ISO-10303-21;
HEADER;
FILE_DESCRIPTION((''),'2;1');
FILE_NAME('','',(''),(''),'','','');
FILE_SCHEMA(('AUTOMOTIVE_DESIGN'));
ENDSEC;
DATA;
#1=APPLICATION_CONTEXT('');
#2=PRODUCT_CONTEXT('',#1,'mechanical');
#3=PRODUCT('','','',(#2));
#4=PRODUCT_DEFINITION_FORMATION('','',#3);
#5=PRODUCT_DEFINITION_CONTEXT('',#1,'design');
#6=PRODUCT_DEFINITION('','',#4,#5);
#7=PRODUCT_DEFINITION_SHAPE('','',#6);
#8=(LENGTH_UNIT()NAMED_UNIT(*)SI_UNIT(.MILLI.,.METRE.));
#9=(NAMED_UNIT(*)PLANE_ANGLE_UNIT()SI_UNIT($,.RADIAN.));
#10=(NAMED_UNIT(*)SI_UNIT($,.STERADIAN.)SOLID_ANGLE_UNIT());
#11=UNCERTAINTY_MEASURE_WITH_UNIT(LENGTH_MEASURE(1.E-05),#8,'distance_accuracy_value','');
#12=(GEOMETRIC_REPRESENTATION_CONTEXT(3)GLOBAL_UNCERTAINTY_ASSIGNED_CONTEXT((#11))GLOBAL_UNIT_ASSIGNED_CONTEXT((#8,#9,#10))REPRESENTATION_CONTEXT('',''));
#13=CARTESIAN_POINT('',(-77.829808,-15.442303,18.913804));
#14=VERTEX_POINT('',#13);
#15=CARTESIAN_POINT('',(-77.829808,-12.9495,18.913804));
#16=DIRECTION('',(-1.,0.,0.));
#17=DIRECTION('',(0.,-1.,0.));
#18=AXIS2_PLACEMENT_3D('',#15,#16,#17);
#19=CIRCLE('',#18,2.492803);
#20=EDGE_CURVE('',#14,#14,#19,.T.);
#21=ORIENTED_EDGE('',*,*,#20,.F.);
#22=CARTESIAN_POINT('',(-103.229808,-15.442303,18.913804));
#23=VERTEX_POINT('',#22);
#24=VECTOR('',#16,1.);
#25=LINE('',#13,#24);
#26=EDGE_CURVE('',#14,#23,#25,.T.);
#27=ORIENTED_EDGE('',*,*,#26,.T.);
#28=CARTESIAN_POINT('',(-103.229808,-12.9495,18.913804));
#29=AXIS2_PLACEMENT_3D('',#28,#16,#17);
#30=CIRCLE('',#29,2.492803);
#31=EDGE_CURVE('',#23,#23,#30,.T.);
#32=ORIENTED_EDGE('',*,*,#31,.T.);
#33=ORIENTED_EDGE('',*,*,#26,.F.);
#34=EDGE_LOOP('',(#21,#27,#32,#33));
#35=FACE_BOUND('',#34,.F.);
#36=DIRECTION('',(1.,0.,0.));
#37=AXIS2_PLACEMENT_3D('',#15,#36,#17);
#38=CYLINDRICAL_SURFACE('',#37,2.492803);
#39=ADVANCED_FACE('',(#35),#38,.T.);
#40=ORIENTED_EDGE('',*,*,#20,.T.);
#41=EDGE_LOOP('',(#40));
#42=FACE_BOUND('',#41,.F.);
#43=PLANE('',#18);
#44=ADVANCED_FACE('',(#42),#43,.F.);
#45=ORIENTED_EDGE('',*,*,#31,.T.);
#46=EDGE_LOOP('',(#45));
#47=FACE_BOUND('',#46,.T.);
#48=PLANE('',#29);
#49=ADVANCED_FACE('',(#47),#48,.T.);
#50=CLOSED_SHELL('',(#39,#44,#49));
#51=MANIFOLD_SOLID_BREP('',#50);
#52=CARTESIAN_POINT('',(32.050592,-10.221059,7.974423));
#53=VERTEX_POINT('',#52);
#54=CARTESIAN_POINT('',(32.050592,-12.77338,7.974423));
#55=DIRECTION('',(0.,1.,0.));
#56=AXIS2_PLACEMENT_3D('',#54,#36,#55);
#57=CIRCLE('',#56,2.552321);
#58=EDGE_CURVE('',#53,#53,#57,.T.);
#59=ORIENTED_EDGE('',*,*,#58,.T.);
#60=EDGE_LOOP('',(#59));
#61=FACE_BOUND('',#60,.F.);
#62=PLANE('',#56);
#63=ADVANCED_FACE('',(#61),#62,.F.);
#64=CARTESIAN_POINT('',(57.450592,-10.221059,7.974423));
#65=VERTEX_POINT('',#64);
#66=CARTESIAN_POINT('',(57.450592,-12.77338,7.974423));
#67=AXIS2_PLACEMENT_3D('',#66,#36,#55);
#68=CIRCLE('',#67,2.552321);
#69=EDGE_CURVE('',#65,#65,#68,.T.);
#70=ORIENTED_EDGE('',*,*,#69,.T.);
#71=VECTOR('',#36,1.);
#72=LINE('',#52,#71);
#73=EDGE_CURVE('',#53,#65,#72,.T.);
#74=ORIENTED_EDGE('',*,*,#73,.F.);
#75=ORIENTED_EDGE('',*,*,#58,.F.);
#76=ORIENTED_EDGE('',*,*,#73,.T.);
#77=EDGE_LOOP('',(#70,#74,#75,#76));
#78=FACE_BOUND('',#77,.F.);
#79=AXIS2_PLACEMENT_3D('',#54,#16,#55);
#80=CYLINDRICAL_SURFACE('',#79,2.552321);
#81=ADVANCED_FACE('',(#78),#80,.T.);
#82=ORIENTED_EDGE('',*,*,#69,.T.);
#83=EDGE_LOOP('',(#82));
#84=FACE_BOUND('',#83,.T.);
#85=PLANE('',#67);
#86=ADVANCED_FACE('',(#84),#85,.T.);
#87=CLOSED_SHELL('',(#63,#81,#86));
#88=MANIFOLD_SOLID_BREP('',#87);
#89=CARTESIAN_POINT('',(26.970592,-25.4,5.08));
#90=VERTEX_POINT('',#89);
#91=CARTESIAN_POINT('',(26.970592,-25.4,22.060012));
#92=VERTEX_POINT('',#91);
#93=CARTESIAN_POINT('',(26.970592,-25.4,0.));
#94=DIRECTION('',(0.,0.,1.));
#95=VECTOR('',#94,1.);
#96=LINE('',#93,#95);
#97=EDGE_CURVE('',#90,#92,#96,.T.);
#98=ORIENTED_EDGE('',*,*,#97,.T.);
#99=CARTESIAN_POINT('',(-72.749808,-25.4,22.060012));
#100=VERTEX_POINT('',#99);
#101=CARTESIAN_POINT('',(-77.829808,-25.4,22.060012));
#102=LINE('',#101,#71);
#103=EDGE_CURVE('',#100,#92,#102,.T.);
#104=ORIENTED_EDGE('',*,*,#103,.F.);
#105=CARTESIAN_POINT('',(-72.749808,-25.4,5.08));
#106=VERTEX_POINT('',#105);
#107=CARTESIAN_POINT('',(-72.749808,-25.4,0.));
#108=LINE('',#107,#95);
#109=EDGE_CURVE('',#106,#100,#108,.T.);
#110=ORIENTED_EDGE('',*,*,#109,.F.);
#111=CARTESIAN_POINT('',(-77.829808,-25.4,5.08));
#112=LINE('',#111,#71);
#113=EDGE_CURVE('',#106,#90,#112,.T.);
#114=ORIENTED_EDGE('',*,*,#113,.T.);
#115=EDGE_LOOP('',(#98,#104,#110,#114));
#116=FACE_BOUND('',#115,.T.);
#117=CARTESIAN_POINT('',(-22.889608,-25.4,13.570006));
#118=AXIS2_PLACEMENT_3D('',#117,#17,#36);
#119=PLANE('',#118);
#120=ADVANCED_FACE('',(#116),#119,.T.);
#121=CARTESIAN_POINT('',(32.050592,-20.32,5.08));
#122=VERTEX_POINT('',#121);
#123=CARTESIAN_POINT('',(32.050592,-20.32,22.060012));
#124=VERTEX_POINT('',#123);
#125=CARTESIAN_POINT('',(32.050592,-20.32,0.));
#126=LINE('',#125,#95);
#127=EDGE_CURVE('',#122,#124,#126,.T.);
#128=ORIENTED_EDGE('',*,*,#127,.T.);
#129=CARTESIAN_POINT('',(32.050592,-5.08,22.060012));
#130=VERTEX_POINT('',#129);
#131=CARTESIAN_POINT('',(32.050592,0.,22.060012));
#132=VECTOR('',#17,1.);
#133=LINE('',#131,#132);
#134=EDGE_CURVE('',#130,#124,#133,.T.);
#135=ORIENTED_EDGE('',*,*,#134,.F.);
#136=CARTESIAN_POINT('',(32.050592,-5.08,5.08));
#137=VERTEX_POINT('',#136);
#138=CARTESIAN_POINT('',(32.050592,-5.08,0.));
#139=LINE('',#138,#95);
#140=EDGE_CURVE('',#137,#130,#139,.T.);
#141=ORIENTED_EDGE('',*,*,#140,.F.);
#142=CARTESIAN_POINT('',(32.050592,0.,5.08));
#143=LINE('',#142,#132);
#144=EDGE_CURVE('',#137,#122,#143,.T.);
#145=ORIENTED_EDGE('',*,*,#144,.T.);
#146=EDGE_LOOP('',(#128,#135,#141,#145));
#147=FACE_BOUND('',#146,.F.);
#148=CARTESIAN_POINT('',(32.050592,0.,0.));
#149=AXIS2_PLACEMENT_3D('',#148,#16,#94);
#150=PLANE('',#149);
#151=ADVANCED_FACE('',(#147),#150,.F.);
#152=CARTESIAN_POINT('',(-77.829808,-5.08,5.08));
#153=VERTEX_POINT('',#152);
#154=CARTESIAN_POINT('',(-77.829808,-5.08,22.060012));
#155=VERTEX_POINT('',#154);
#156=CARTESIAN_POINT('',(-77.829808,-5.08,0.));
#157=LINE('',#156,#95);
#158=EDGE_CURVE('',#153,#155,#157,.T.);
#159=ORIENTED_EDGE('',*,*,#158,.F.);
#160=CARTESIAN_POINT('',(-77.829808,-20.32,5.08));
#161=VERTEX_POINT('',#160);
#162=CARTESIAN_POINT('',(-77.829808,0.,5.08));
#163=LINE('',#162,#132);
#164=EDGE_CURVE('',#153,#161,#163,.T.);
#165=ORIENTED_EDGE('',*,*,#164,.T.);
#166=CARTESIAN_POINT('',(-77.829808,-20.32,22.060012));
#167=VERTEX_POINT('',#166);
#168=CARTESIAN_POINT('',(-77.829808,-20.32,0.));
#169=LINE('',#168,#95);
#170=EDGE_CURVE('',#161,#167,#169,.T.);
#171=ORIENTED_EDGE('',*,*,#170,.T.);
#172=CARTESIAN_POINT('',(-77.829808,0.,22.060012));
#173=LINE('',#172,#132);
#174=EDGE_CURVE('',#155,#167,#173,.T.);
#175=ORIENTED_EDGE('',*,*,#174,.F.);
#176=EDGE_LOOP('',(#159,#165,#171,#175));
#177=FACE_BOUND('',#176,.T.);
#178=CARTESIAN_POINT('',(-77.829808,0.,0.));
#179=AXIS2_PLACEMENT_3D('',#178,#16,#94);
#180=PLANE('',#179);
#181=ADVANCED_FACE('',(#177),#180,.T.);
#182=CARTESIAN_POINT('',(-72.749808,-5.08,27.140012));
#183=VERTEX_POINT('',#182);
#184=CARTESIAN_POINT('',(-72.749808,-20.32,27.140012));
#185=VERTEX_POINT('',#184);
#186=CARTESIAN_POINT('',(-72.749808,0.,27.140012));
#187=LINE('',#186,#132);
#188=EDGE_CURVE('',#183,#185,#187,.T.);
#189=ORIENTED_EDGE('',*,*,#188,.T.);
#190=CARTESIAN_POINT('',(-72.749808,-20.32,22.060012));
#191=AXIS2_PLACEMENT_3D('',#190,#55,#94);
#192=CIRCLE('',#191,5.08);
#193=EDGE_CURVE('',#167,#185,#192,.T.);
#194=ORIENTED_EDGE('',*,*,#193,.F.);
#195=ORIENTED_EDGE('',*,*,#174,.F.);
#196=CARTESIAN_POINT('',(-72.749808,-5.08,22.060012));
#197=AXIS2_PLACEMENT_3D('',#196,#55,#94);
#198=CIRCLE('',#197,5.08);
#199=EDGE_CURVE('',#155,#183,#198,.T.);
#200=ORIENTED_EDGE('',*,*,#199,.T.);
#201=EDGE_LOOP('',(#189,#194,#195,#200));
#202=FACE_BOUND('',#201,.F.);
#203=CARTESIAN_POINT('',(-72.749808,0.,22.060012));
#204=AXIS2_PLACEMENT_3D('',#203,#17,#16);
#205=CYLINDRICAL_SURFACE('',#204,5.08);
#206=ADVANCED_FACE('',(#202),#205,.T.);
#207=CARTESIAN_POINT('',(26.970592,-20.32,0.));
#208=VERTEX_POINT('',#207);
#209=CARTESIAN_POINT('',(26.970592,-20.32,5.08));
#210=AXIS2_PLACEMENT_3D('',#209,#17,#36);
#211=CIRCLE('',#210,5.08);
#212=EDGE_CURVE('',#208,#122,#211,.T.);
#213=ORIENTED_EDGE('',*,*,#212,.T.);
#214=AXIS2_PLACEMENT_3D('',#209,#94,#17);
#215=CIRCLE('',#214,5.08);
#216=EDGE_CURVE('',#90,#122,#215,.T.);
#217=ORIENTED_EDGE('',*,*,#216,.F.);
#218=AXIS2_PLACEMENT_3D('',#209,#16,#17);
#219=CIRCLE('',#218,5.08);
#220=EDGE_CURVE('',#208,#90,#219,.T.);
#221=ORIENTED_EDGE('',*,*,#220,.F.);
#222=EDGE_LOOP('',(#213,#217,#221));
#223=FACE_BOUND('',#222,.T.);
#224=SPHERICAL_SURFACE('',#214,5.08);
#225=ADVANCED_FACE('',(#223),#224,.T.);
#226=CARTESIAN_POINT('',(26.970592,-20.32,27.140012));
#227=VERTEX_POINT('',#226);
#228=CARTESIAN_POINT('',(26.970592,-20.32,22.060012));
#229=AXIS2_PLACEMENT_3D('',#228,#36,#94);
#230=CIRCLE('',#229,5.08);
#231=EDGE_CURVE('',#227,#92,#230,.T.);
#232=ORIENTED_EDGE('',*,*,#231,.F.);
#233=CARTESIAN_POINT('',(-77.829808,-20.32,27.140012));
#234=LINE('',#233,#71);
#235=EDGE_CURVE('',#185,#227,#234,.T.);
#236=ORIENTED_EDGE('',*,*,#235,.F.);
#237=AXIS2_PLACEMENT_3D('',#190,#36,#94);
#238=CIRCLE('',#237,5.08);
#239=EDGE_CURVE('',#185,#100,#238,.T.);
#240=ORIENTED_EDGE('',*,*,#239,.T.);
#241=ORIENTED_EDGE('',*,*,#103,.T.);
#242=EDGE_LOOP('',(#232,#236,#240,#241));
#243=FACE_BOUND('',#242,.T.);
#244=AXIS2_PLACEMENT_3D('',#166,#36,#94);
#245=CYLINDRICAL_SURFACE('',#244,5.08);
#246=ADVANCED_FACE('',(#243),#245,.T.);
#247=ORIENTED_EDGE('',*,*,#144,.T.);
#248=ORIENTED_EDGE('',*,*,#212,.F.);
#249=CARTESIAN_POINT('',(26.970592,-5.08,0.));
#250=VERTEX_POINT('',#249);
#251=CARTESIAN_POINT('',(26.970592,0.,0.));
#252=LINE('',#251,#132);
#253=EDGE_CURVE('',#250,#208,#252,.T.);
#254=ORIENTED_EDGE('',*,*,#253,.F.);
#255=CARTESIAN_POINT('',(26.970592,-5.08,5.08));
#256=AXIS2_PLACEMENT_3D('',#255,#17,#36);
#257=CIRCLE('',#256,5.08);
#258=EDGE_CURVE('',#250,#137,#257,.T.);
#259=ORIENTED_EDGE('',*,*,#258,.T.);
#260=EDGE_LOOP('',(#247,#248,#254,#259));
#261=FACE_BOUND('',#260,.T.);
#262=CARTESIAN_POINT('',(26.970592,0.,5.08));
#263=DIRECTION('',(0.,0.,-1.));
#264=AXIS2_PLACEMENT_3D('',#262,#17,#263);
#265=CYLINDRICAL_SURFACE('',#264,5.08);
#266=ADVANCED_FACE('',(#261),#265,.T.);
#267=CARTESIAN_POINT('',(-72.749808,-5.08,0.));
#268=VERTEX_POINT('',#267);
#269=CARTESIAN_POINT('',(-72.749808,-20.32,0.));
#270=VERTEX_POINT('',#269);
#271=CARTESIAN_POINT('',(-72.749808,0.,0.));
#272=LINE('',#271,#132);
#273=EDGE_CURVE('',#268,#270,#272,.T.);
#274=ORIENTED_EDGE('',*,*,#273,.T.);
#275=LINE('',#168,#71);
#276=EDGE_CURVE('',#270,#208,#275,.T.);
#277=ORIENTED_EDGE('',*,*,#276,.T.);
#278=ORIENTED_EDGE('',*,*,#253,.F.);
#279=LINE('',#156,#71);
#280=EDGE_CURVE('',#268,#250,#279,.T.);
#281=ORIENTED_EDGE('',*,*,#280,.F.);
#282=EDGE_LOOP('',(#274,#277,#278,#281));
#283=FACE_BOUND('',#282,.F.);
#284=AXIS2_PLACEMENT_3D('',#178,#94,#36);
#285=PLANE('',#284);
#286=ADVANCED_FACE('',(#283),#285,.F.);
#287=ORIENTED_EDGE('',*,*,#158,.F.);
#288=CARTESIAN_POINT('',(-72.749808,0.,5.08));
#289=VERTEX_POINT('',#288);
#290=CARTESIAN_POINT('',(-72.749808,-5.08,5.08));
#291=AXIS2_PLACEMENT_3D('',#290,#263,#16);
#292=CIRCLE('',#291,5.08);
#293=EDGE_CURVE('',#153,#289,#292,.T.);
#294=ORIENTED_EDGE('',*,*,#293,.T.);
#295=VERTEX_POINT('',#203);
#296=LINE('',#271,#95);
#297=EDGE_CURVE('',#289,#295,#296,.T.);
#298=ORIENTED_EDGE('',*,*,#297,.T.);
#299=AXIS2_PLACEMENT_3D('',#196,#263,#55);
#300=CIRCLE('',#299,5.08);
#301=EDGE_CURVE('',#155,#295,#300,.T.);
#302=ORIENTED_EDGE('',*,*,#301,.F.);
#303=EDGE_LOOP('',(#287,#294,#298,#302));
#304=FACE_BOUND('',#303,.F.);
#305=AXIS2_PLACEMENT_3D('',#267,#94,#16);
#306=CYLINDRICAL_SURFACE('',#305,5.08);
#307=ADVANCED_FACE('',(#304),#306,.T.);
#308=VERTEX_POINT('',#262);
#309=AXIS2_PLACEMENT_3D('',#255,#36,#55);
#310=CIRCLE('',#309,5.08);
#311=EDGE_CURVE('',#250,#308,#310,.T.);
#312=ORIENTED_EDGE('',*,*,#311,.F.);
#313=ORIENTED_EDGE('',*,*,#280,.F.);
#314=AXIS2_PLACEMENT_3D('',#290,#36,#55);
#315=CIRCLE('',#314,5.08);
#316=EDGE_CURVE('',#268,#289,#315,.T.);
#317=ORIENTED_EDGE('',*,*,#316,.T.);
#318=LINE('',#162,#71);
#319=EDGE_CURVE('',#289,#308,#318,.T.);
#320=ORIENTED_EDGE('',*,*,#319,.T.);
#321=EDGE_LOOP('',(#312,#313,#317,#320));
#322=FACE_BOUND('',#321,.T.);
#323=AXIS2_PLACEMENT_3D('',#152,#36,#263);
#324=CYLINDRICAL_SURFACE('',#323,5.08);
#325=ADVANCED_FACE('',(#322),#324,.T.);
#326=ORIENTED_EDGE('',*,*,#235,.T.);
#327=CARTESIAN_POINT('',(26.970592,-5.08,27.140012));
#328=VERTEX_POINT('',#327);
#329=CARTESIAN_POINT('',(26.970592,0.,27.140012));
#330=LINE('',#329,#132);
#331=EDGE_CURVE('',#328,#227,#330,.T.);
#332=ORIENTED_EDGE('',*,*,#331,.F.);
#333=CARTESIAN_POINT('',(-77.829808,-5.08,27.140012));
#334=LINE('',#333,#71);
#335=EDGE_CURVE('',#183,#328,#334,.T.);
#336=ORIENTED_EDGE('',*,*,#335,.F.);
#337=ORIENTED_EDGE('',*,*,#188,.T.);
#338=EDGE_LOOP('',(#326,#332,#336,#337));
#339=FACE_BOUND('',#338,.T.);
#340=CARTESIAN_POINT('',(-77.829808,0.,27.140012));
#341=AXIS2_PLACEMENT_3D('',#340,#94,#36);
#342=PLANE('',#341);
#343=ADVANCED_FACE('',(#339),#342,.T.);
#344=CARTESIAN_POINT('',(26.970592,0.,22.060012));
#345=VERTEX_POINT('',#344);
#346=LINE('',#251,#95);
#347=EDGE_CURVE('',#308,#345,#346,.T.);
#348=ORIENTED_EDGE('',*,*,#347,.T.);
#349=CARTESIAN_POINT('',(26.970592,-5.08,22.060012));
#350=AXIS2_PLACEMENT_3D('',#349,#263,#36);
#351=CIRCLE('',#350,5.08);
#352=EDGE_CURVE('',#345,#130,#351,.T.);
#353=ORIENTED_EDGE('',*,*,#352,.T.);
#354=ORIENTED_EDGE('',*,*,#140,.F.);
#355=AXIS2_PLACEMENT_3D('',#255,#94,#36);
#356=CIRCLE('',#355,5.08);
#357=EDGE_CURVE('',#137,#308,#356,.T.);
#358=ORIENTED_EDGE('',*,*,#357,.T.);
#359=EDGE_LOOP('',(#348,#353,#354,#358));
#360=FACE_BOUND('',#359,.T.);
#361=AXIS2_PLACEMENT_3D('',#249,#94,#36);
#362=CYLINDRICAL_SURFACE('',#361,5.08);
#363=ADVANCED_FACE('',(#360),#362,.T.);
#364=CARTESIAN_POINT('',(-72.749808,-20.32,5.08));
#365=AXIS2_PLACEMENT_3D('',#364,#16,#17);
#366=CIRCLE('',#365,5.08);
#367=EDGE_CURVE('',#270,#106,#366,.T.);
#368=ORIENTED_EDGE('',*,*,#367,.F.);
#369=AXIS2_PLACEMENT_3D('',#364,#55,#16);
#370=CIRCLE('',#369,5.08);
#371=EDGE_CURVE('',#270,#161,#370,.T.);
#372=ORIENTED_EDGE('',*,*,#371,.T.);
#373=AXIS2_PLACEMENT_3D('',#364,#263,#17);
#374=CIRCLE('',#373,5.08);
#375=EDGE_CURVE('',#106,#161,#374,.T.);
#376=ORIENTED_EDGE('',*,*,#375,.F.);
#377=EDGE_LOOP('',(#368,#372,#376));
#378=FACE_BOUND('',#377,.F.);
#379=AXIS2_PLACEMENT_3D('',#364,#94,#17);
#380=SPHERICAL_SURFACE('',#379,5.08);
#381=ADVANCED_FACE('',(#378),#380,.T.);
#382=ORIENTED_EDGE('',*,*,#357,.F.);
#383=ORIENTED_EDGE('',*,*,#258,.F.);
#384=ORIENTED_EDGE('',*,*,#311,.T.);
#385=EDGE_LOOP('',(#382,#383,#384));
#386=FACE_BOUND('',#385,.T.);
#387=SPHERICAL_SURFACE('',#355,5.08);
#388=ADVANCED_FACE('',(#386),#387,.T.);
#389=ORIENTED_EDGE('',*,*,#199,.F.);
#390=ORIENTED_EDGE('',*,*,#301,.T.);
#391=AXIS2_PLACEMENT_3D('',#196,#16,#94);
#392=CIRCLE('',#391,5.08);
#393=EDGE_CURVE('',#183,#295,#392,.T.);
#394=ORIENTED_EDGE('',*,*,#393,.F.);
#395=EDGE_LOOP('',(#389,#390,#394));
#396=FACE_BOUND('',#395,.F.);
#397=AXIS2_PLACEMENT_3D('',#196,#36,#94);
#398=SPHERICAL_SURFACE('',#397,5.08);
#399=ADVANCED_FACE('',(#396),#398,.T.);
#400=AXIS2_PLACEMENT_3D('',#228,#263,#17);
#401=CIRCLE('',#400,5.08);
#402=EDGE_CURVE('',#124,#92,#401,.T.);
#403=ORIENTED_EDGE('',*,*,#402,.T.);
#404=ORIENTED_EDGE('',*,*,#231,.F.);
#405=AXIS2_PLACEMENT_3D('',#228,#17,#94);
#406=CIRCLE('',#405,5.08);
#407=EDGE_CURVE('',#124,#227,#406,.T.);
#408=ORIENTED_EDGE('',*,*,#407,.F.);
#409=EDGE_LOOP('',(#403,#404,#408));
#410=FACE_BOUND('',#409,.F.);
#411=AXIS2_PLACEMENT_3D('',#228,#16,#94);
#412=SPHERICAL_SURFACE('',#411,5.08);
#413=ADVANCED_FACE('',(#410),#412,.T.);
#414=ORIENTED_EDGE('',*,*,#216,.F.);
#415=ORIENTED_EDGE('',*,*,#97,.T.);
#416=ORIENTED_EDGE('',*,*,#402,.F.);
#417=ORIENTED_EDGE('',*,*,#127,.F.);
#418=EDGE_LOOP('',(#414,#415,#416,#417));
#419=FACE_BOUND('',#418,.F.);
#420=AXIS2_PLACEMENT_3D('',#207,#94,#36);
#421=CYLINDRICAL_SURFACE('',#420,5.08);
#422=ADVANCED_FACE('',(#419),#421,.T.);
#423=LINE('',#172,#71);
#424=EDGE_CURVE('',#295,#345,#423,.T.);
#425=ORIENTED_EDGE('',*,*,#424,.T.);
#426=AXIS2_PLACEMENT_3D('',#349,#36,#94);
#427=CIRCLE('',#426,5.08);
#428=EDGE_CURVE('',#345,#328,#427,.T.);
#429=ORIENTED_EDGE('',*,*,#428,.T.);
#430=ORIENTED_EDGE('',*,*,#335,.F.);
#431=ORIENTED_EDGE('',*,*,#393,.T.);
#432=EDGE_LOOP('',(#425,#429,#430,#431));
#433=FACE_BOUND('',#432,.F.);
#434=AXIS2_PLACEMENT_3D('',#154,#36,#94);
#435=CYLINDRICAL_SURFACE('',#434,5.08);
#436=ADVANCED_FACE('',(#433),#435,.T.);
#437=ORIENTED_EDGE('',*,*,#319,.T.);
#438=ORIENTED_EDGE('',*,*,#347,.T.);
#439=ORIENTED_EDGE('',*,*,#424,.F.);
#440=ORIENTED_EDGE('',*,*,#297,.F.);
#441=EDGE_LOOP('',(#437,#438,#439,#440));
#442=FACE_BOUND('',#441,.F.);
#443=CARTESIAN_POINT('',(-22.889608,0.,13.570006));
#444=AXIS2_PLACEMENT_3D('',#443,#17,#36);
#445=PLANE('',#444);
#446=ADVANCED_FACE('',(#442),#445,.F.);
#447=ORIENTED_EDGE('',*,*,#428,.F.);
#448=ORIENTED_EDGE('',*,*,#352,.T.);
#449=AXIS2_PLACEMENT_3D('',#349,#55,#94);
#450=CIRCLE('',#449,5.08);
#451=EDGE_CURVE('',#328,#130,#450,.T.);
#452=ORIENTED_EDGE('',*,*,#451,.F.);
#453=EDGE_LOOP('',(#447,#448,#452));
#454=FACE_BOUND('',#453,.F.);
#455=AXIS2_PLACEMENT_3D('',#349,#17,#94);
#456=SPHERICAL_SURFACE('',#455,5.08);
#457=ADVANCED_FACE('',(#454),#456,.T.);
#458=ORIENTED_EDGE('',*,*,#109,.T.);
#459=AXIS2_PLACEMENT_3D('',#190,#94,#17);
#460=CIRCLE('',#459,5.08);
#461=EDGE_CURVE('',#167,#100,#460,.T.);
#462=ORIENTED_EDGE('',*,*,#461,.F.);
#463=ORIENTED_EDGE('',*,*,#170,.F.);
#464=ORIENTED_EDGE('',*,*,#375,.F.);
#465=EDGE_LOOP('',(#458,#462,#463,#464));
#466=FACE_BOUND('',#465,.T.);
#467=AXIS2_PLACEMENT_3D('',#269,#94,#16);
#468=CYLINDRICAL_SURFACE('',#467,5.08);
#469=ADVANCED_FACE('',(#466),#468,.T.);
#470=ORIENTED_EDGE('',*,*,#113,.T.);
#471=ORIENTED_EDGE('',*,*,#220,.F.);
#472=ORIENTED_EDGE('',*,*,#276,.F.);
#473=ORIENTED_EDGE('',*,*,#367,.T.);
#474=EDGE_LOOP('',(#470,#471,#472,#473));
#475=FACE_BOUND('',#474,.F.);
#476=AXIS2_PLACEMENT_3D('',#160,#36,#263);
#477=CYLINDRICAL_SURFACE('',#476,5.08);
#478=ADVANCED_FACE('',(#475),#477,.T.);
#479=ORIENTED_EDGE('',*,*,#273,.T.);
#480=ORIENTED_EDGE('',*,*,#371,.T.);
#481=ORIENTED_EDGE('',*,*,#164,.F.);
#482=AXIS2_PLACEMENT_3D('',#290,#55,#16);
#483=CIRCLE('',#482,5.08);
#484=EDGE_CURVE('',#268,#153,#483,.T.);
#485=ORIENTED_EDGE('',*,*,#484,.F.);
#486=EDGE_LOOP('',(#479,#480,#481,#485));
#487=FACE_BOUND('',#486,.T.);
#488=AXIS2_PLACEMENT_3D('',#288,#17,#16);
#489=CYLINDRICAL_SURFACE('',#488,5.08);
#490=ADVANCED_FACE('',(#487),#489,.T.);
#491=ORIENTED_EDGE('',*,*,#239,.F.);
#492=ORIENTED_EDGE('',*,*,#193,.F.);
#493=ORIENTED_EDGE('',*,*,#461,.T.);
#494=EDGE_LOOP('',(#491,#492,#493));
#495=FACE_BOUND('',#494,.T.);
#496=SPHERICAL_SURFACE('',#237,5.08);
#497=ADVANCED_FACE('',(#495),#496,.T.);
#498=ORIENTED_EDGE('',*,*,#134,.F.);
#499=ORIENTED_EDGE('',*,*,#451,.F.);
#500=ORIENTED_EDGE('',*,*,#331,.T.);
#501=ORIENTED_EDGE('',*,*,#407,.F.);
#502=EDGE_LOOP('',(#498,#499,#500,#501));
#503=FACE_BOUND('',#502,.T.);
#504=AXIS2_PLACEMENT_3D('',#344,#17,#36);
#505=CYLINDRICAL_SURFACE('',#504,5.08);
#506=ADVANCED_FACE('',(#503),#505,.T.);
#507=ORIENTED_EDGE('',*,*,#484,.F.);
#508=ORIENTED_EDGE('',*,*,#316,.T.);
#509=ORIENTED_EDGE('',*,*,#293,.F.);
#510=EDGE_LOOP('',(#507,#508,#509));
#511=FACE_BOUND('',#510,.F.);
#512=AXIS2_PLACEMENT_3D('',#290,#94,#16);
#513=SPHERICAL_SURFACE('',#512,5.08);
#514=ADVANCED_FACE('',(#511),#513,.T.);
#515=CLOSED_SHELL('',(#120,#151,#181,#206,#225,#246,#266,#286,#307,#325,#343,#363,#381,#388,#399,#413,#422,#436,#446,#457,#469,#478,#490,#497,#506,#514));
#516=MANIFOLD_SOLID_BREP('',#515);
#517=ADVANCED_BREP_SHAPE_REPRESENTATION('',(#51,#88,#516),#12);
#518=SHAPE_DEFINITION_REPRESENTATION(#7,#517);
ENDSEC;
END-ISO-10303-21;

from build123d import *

# Parameters (mm, degrees)
F0_W     = 109.8804
F0_H     = 27.140012
F1_DEPTH = 25.4
F2_R     = 2.552321
F3_DEPTH = 25.4
F4_R     = 2.492803
F5_DEPTH = 25.4
F6_R     = 5.08


with BuildPart() as f1:
    # F0 (on Front) → F1 (new body)
    with BuildSketch(Plane.XZ):
        with Locations((-22.889608, 13.570006)):
            Rectangle(F0_W, F0_H)
    extrude(amount=F1_DEPTH)

    # F6
    f6_edges = [f1.edges().sort_by_distance(p)[0] for p in [
        (-22.889608, -25.4, 27.140012),
        (32.050592, -12.7, 27.140012),
        (32.050592, -25.4, 13.570006),
        (-22.889608, 0, 27.140012),
        (-77.829808, -12.7, 27.140012),
        (-77.829808, -25.4, 13.570006),
        (-22.889608, -25.4, 0),
        (32.050592, 0, 13.570006),
        (32.050592, -12.7, 0),
        (-77.829808, 0, 13.570006),
        (-77.829808, -12.7, 0),
        (-22.889608, 0, 0),
    ]]
    fillet(f6_edges, radius=F6_R)


with BuildPart() as f3:
    # F2 (on face) → F3 (new body)
    with BuildSketch(Plane.YZ.offset(32.050592)):
        with Locations((-12.77338, 7.974423)):
            Circle(F2_R)
    extrude(amount=F3_DEPTH)


with BuildPart() as f5:
    # F4 (on face) → F5 (new body)
    with BuildSketch(Plane(origin=(-77.829808, 0, 0), x_dir=(0, -1, 0), z_dir=(-1, 0, 0))):
        with Locations((12.9495, 18.913804)):
            Circle(F4_R)
    extrude(amount=F5_DEPTH)


solid = Compound([f1.part, f3.part, f5.part])
